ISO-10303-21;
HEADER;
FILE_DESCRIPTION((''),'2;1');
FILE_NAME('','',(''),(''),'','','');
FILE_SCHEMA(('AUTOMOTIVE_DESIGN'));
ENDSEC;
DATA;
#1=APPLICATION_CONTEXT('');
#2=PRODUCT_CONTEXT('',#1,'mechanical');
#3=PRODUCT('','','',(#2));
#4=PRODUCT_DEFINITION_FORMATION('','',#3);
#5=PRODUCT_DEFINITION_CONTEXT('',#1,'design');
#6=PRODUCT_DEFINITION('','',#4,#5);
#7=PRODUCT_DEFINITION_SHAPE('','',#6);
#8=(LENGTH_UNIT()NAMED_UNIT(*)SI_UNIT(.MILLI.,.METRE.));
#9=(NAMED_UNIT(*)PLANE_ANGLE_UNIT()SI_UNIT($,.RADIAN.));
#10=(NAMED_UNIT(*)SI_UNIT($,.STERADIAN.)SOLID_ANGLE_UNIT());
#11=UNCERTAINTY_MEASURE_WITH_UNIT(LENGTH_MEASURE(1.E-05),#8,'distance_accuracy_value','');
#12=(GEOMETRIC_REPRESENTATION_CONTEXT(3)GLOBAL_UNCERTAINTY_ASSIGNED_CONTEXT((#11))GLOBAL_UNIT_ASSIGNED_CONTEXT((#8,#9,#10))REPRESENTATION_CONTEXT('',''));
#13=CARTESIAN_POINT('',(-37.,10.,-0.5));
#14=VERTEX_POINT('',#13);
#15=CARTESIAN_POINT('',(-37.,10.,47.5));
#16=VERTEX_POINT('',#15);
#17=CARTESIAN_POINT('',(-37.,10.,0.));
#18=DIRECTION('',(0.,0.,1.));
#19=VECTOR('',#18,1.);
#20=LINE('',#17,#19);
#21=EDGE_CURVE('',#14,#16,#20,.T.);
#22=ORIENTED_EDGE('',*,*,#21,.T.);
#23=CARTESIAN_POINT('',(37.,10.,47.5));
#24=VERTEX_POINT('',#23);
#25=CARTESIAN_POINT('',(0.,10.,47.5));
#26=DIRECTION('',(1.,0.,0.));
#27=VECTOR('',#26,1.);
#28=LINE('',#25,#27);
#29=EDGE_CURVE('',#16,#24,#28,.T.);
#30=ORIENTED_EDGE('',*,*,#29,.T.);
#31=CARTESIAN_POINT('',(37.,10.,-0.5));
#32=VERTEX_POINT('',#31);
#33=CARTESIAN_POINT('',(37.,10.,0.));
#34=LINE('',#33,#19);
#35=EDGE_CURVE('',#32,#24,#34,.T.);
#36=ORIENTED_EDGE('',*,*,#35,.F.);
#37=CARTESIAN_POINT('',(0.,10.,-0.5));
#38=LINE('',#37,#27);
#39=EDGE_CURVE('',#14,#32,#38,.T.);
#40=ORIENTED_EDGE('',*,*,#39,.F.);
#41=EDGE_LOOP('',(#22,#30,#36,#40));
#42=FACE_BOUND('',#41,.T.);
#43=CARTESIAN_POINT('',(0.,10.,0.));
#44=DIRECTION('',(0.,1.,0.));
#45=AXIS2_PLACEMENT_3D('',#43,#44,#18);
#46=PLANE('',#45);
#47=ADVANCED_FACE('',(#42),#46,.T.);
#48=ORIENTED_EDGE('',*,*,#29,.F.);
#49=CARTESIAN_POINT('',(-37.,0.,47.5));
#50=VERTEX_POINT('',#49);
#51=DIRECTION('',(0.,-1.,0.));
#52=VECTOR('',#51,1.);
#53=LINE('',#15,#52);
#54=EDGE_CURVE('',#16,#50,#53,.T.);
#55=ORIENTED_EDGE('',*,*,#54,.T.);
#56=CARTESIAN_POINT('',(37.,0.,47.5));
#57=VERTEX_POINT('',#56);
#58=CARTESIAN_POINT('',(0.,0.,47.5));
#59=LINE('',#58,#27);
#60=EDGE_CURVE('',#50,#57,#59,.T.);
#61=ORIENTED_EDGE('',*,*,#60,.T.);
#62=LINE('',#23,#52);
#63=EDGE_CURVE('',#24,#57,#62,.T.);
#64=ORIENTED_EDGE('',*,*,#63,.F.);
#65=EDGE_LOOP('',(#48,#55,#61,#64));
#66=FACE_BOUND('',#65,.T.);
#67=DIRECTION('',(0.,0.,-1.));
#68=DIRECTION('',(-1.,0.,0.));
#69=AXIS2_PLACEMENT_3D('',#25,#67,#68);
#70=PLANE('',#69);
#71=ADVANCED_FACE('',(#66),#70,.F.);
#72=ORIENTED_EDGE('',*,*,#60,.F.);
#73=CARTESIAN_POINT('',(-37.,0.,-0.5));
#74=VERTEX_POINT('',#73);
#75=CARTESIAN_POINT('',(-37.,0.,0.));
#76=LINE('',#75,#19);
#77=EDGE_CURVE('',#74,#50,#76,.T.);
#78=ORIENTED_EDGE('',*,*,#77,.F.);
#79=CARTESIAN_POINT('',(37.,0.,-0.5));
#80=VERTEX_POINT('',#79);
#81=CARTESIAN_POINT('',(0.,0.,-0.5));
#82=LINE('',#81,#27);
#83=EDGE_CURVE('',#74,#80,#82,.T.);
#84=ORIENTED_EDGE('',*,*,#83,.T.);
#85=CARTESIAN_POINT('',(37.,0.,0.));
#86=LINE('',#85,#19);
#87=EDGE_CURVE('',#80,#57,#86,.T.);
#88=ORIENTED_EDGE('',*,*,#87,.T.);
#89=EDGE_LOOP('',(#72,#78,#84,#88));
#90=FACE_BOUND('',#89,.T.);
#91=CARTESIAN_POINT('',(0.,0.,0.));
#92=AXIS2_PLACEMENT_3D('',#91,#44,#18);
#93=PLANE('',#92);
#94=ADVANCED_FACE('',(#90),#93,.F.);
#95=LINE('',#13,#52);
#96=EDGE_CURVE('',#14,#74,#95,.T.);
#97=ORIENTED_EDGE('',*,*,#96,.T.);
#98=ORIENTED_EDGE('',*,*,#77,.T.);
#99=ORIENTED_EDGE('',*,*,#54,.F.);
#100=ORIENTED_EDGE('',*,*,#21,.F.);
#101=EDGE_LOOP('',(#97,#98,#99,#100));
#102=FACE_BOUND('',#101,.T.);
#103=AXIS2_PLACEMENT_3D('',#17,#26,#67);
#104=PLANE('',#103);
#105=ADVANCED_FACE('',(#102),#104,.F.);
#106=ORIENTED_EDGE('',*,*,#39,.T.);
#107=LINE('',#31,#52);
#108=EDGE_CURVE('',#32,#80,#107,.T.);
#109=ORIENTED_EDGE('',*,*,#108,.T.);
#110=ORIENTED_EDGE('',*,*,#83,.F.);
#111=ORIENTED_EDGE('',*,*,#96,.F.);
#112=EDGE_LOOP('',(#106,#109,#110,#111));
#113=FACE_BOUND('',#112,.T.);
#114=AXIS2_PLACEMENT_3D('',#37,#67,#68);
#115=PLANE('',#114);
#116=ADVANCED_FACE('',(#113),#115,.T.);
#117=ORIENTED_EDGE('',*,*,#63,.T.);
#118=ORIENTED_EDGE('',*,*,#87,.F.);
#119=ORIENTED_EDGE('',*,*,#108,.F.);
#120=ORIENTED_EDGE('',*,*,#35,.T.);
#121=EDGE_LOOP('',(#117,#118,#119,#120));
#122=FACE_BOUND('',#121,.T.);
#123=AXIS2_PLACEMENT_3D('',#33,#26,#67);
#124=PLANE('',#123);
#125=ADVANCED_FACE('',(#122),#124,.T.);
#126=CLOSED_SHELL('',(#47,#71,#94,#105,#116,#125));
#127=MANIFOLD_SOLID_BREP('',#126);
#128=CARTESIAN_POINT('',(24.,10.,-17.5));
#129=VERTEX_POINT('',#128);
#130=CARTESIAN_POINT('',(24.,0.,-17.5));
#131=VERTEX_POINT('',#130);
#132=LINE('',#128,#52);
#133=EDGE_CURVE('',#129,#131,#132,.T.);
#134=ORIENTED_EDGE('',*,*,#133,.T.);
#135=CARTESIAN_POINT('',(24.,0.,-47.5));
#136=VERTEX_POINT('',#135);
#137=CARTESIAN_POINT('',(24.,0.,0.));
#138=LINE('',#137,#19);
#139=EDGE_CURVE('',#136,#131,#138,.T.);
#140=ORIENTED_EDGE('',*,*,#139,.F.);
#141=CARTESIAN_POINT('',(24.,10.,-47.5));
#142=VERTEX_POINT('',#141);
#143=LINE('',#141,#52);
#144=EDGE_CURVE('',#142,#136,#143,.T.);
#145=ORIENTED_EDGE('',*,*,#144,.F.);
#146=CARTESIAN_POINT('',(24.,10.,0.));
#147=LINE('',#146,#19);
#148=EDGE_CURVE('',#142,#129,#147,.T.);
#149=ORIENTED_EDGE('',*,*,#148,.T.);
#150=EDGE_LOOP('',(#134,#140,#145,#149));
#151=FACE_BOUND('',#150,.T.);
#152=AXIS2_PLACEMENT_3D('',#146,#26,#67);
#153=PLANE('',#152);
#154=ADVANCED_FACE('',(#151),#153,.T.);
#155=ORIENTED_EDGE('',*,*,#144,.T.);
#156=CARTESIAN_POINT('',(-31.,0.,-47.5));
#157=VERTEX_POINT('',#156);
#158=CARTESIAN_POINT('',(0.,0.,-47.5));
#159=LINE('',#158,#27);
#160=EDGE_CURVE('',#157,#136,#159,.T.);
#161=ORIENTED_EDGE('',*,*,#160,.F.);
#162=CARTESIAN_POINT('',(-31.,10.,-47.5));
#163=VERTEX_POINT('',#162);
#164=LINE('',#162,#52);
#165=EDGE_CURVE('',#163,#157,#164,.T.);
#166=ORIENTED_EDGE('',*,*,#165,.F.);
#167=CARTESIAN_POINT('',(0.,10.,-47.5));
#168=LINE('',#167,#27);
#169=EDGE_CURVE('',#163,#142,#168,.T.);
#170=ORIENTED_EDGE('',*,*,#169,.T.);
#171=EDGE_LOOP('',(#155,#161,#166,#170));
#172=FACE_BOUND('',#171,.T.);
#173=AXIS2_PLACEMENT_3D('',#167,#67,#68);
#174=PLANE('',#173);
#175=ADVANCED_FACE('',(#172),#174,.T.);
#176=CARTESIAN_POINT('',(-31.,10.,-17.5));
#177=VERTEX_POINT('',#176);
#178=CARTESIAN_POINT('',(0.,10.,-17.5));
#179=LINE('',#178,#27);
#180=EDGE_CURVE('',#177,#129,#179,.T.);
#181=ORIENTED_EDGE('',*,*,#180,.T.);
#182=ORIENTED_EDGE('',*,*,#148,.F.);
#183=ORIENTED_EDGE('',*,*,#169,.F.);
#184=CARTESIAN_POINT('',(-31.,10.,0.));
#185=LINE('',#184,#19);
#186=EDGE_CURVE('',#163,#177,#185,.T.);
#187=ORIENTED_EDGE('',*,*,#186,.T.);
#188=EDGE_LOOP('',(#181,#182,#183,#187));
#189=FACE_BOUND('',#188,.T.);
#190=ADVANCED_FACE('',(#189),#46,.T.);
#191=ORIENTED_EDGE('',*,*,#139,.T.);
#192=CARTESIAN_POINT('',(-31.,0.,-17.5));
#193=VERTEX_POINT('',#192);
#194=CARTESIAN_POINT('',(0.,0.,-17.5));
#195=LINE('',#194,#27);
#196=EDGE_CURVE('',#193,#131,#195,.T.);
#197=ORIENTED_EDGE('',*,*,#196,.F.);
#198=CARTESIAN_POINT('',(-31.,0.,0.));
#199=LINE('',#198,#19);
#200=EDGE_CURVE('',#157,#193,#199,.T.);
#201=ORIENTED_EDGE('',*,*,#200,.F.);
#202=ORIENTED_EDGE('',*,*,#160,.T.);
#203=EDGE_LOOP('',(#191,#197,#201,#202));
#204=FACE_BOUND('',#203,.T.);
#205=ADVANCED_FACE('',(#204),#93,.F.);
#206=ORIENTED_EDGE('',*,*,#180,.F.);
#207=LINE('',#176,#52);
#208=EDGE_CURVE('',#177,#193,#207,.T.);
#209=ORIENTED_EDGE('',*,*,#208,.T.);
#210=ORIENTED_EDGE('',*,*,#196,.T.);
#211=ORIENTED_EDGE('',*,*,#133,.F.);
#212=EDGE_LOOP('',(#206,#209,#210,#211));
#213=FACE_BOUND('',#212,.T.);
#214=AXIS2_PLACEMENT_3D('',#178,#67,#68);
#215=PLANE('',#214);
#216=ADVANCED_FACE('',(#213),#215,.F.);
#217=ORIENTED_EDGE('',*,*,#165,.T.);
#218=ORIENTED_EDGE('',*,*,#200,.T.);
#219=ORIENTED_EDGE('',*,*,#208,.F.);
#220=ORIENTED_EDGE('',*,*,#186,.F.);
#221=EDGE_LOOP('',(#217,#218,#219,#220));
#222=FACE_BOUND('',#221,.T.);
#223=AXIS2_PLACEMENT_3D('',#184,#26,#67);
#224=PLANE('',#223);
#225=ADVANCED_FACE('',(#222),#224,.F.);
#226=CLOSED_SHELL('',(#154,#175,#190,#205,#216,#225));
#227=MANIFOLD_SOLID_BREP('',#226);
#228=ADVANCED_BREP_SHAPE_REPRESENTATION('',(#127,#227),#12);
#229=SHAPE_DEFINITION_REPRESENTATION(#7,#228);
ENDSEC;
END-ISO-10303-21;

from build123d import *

# Parameters (mm, degrees)
BOSS_EXTRUDE1_DEPTH   = 10
SKETCH1_W             = 55
SKETCH1_H             = 30
BOSS_EXTRUDE1_2_DEPTH = 10


with BuildPart() as part:
    # Sketch1 → Boss-Extrude1 (new body)
    with BuildSketch(Plane(origin=(0, 0, 0), x_dir=(1, 0, 0), z_dir=(0, 1, 0))):
        Polygon((24, 0.5), (-31, 0.5), (-37, 0.5), (-37, -47.5), (37, -47.5), (37, 0.5), align=None)
    extrude(amount=BOSS_EXTRUDE1_DEPTH)


with BuildPart() as body_2:
    # Sketch1 → Boss-Extrude1 2 (new body)
    with BuildSketch(Plane(origin=(0, 0, 0), x_dir=(1, 0, 0), z_dir=(0, 1, 0))):
        with Locations((-3.5, 32.5)):
            Rectangle(SKETCH1_W, SKETCH1_H)
    extrude(amount=BOSS_EXTRUDE1_2_DEPTH)


solid = Compound([part.part, body_2.part])
